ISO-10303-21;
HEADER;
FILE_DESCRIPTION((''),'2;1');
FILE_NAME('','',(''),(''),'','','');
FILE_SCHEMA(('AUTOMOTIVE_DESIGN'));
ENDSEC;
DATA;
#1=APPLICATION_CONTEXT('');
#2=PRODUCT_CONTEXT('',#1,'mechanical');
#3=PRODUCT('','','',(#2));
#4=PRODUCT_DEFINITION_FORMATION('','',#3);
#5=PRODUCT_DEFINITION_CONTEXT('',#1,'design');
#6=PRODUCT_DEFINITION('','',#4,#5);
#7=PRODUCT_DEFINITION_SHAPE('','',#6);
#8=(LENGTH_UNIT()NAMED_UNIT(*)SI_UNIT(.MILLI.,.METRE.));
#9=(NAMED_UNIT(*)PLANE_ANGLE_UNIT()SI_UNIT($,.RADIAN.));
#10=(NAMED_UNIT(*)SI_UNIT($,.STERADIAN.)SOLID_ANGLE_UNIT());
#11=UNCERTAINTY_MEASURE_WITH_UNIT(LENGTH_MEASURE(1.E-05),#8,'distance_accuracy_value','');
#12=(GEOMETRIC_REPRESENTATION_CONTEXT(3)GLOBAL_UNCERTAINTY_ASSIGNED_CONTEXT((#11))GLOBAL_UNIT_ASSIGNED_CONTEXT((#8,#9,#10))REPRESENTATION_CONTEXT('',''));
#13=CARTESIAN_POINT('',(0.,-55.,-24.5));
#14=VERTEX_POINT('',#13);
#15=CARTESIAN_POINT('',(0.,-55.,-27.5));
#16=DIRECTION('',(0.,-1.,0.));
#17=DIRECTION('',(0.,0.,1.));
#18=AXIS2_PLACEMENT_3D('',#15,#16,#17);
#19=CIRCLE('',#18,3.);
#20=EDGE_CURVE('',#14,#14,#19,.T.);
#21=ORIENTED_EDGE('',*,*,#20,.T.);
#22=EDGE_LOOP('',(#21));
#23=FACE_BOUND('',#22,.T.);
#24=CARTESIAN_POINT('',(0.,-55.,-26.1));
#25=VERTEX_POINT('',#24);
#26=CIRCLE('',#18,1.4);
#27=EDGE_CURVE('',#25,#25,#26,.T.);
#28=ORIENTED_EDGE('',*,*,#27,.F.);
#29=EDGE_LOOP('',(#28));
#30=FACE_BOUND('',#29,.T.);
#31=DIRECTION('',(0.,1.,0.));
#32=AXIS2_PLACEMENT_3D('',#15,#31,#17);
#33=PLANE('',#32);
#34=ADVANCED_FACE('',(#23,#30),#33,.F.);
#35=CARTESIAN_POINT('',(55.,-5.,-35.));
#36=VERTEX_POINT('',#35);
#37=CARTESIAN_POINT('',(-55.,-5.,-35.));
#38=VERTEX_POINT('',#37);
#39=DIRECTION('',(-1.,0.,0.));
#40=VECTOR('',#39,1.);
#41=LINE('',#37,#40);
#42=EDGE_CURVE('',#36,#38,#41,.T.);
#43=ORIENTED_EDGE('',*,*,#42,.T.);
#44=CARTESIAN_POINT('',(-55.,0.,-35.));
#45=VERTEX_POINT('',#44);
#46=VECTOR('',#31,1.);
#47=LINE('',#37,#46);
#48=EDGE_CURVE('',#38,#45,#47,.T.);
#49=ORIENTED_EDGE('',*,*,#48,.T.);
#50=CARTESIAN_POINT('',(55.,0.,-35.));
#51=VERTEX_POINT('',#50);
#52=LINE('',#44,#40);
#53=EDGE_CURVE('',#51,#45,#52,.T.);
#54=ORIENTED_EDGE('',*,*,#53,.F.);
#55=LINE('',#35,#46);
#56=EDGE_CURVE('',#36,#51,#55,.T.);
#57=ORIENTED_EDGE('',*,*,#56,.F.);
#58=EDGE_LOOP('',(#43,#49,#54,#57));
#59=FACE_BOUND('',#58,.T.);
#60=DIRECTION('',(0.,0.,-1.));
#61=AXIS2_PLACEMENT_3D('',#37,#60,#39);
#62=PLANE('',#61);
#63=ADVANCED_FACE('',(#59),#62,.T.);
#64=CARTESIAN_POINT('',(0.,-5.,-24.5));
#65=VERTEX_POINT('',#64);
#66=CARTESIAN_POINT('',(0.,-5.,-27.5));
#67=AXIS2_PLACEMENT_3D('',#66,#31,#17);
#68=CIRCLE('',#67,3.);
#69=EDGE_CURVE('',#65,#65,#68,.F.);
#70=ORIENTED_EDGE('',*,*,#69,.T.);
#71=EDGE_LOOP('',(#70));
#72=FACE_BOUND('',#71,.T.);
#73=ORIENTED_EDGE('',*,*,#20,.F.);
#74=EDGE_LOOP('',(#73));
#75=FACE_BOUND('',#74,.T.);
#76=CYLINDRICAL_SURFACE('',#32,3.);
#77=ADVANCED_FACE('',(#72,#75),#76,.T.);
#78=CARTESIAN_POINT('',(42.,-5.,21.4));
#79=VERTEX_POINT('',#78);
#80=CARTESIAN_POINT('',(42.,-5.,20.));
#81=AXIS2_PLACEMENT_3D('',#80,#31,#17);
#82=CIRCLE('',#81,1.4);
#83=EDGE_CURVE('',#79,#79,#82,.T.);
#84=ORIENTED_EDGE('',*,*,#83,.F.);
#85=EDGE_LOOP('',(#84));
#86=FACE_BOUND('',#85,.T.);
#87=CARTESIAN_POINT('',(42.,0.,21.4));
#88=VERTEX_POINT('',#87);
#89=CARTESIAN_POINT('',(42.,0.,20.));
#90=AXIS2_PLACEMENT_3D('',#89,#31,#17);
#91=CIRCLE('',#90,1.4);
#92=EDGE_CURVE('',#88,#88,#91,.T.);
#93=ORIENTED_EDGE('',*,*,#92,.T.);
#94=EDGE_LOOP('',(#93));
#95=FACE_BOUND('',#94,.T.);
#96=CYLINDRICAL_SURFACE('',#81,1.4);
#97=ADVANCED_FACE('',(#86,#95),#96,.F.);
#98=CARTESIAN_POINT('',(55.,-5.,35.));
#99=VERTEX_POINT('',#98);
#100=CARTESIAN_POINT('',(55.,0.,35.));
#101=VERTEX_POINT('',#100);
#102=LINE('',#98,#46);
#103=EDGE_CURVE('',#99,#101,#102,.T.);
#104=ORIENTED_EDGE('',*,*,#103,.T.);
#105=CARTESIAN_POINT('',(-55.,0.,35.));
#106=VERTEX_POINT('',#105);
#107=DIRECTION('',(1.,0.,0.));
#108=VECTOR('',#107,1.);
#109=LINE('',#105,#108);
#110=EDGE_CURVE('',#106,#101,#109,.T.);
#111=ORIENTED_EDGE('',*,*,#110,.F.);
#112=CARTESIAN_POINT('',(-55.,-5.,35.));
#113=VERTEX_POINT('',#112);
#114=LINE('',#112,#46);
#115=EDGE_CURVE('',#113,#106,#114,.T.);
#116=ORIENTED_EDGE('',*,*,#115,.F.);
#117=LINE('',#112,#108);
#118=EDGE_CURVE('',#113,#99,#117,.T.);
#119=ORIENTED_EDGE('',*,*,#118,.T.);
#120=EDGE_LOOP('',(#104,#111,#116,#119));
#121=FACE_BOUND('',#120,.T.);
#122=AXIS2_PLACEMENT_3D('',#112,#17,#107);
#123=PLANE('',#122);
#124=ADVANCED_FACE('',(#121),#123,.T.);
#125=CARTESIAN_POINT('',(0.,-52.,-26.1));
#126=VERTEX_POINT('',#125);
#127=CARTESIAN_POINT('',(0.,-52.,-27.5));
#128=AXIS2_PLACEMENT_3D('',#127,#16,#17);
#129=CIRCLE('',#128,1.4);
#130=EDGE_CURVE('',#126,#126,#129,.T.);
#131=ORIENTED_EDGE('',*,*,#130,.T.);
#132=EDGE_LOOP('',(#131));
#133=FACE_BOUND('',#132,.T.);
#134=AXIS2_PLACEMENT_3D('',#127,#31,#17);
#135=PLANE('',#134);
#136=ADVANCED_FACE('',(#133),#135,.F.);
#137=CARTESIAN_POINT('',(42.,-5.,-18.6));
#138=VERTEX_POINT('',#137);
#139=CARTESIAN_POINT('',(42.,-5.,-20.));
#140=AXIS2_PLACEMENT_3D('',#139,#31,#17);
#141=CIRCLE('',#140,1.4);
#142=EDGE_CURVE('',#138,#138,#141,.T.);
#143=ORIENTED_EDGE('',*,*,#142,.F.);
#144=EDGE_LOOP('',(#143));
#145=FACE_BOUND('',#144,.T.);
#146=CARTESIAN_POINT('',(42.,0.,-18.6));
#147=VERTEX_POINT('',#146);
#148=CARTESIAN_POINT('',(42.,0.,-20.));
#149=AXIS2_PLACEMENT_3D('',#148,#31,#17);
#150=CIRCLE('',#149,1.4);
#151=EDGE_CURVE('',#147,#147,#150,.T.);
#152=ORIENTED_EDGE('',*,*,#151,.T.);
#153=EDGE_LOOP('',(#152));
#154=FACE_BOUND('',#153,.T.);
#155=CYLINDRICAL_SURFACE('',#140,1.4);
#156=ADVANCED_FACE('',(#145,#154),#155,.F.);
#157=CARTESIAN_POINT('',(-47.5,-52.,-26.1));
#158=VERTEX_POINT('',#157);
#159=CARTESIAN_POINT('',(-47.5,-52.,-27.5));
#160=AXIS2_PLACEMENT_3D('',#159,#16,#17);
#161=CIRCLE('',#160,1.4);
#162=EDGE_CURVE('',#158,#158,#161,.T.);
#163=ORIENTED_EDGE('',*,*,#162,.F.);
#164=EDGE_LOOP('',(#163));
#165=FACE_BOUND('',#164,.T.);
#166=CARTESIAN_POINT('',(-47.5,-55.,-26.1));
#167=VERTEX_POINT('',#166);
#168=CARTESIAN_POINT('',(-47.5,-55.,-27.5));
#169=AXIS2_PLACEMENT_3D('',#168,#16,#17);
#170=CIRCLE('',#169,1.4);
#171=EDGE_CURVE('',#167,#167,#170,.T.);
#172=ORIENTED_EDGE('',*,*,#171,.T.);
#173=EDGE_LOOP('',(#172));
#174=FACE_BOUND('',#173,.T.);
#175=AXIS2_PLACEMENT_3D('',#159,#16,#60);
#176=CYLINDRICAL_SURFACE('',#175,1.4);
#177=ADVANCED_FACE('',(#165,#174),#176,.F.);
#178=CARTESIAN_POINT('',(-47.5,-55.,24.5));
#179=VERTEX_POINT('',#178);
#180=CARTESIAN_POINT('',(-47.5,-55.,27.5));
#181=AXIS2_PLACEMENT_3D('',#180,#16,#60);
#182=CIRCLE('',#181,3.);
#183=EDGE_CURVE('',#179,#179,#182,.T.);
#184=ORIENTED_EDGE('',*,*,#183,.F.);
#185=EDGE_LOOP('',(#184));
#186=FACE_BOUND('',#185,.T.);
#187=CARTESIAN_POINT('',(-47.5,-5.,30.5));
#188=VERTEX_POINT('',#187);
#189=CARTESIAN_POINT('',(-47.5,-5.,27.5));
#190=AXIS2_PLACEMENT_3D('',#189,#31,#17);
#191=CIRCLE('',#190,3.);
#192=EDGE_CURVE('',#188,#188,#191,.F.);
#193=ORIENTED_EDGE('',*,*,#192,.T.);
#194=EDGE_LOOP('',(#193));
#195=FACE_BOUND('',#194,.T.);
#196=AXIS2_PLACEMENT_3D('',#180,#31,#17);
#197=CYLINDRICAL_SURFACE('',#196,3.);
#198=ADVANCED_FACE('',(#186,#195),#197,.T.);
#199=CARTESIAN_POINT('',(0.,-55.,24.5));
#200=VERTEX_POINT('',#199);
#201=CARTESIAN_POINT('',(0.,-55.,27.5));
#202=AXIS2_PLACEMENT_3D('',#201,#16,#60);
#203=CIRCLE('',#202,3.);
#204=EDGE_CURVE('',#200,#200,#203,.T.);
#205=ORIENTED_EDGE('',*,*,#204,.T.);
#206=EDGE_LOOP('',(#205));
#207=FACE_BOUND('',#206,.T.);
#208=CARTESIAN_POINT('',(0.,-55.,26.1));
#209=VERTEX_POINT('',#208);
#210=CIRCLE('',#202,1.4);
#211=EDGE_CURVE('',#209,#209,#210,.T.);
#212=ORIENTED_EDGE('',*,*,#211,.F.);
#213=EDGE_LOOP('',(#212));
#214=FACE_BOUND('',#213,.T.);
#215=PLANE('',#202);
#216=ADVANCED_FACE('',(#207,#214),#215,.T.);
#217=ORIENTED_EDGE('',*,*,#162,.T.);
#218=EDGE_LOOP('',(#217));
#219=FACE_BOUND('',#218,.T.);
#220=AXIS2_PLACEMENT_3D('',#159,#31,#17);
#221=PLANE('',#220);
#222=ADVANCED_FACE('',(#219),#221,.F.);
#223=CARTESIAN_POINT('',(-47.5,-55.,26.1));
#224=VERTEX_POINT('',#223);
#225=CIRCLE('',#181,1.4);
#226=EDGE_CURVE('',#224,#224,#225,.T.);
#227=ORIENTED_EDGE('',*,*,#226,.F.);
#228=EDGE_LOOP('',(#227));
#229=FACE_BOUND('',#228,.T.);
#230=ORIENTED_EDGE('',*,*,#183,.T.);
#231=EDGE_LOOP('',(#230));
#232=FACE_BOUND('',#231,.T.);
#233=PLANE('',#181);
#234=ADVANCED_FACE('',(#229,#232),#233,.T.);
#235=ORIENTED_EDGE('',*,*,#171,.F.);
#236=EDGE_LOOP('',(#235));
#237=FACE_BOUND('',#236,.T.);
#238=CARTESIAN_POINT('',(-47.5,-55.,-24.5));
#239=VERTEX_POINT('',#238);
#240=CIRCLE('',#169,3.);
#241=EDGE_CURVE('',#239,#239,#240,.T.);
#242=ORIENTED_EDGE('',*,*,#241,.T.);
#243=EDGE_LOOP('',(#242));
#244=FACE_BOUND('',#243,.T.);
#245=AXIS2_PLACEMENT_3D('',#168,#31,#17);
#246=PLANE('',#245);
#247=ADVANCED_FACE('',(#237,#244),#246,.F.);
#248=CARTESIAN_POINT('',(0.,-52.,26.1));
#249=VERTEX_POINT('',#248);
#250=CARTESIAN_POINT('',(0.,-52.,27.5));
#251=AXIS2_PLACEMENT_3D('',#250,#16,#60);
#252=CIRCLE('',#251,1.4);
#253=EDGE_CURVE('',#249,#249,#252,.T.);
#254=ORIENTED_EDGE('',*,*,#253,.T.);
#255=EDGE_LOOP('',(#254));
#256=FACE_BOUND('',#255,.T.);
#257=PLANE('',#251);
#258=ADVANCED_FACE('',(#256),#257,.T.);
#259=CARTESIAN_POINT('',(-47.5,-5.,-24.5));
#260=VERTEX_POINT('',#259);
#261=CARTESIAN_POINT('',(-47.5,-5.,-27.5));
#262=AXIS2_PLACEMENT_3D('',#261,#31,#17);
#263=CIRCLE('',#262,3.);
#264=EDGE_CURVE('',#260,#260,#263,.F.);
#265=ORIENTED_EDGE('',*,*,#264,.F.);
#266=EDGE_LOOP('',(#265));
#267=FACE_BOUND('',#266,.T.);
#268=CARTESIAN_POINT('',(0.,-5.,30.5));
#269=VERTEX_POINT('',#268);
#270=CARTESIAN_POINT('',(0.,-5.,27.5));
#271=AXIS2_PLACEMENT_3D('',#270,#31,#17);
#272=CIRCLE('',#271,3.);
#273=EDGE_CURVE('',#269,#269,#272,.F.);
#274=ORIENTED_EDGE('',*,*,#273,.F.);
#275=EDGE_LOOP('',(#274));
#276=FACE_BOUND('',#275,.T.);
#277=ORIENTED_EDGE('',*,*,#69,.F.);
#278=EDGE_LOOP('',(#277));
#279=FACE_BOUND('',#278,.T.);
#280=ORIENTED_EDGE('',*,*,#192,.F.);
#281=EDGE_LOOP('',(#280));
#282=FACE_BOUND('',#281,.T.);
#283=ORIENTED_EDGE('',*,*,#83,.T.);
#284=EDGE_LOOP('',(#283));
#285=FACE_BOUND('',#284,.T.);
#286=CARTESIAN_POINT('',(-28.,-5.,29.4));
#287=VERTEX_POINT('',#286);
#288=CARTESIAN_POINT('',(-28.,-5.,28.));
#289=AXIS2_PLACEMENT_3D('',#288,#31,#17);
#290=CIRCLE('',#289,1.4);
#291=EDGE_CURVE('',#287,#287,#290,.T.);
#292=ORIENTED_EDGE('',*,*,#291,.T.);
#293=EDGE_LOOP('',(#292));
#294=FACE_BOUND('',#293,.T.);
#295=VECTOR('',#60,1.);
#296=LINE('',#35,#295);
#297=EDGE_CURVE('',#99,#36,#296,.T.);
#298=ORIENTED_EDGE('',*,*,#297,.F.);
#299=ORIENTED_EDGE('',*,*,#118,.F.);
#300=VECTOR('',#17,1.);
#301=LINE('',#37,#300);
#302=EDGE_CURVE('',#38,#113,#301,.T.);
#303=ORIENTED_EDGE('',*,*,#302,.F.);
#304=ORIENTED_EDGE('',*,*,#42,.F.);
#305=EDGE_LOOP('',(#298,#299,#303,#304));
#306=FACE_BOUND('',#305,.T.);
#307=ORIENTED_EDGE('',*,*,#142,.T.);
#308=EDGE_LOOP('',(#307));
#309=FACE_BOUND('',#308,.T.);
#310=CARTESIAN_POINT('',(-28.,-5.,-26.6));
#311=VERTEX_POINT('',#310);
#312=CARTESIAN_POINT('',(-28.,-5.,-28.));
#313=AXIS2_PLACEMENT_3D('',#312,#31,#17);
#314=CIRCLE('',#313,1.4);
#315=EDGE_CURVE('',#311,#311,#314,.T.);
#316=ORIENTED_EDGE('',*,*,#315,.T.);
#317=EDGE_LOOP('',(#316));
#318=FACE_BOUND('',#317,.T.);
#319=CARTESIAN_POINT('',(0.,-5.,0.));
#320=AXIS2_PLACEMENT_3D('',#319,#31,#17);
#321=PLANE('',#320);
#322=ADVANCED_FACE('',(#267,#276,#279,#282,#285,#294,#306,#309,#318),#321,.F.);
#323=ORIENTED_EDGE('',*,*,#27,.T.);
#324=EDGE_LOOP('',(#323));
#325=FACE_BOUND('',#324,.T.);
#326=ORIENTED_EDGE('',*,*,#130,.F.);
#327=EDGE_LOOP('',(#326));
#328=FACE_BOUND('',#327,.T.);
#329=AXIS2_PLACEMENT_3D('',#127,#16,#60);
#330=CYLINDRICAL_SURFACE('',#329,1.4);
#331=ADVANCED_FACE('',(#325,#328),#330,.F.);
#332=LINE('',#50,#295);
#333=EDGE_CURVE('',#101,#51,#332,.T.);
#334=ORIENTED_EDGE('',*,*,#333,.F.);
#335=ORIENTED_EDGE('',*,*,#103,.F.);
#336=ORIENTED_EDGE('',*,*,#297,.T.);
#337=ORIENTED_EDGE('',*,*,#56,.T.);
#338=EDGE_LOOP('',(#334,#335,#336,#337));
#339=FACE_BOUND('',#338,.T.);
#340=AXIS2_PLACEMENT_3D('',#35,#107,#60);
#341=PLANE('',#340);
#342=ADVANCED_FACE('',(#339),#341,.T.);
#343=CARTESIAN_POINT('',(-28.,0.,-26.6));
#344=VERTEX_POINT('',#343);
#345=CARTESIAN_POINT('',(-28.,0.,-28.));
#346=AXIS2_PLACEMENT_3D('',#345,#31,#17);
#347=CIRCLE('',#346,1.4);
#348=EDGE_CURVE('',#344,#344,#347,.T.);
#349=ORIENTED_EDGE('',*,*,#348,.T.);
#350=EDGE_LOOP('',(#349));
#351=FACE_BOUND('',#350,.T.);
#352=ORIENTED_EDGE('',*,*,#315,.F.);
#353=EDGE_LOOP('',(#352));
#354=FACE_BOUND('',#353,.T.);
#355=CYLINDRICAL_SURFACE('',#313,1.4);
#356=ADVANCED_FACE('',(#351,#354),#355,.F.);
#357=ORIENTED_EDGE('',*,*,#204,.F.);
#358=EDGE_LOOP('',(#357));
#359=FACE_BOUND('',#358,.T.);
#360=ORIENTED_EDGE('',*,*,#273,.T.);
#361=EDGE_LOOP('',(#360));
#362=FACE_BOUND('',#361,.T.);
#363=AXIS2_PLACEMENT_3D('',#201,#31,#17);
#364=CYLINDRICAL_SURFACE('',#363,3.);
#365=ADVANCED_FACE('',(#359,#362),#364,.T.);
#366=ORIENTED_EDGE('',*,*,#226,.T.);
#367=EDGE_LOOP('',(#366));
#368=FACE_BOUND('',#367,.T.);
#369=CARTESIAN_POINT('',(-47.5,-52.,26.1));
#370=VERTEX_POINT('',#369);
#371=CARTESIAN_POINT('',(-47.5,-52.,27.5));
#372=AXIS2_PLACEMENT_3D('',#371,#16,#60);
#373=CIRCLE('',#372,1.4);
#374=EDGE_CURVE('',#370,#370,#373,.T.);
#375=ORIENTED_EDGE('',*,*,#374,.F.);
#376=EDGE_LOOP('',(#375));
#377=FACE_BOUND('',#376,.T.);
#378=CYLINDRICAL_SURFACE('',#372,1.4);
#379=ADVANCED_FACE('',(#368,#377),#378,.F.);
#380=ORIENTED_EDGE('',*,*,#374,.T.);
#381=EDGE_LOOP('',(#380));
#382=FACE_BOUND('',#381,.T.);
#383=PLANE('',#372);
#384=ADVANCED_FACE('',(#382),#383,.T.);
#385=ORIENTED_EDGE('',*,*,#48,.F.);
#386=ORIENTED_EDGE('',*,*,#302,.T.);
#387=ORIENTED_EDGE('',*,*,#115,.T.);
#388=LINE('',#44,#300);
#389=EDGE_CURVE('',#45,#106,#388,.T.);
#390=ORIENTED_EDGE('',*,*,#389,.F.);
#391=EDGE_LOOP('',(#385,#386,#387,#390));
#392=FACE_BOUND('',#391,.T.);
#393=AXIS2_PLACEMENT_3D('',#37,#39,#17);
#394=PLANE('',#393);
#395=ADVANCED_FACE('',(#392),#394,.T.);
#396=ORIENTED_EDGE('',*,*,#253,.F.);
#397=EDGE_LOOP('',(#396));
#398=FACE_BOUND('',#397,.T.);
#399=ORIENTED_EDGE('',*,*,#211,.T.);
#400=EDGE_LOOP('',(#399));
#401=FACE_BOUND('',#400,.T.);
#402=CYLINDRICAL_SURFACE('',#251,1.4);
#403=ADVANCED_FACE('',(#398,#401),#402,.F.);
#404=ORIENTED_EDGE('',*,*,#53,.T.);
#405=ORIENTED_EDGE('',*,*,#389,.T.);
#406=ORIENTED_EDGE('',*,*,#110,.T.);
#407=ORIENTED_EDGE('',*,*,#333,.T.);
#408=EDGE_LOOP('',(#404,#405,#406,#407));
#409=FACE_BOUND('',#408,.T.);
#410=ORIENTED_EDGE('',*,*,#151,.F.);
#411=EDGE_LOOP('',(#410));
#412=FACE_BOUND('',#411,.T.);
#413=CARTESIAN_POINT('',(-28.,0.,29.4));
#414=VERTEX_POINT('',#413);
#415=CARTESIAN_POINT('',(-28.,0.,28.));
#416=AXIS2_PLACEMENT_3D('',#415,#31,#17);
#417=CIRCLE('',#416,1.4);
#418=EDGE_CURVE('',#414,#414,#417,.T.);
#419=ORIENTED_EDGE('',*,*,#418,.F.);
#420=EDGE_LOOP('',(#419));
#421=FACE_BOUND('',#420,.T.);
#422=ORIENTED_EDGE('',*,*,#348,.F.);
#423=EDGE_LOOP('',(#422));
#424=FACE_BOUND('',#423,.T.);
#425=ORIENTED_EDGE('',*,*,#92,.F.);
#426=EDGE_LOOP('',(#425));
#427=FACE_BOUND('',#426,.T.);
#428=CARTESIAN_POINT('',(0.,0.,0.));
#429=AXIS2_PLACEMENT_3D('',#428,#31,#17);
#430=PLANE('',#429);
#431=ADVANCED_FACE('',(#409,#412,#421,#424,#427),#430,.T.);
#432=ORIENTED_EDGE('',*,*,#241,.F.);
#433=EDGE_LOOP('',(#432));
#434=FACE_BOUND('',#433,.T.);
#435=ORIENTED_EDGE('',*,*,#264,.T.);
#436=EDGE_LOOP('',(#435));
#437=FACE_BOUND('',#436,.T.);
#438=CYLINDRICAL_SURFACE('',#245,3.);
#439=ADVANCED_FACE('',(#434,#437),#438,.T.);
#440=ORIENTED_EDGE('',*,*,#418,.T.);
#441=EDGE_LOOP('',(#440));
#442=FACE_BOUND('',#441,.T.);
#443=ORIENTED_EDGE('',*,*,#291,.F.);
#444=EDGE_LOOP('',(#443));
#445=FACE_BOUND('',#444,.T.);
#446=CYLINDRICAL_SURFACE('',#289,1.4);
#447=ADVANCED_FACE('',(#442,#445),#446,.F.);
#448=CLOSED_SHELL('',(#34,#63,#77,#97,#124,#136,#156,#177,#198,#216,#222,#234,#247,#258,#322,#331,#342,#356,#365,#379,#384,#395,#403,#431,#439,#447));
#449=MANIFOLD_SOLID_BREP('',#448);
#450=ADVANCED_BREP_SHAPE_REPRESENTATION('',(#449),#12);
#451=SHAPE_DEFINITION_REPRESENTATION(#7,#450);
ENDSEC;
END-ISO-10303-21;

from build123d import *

# Parameters (mm, degrees)
SKETCH1_W           = 110
SKETCH1_H           = 70
BOSS_EXTRUDE2_DEPTH = 5
SKETCH2_R           = 1.4
CUT_EXTRUDE1_DEPTH  = 5
SKETCH4_R           = 3
BOSS_EXTRUDE3_DEPTH = 50
SKETCH5_R           = 1.4
CUT_EXTRUDE2_DEPTH  = 3


with BuildPart() as part:
    # Sketch1 → Boss-Extrude2 (new body)
    with BuildSketch(Plane(origin=(0, 0, 0), x_dir=(1, 0, 0), z_dir=(0, 1, 0))):
        Rectangle(SKETCH1_W, SKETCH1_H)
    extrude(amount=-BOSS_EXTRUDE2_DEPTH)

    # Sketch2 → Cut-Extrude1 (cut)
    with BuildSketch(Plane(origin=(0, 0, 0), x_dir=(1, 0, 0), z_dir=(0, 1, 0))):
        with Locations(Location((-28, 28, 0), (0, 0, 270))):
            Circle(SKETCH2_R)
        with Locations(Location((42, 20, 0), (0, 0, 270))):
            Circle(SKETCH2_R)
        with Locations(Location((-28, -28, 0), (0, 0, 270))):
            Circle(SKETCH2_R)
        with Locations(Location((42, -20, 0), (0, 0, 270))):
            Circle(SKETCH2_R)
    extrude(amount=-CUT_EXTRUDE1_DEPTH, mode=Mode.SUBTRACT)

    # Sketch4 → Boss-Extrude3 (add)
    with BuildSketch(Plane.XZ.offset(5)):
        with Locations(Location((-47.5, 27.5, 0), (0, 0, 90))):
            Circle(SKETCH4_R)
        with Locations(Location((0, 27.5, 0), (0, 0, 90))):
            Circle(SKETCH4_R)
        with Locations(Location((0, -27.5, 0), (0, 0, 90))):
            Circle(SKETCH4_R)
        with Locations(Location((-47.5, -27.5, 0), (0, 0, 90))):
            Circle(SKETCH4_R)
    extrude(amount=BOSS_EXTRUDE3_DEPTH)

    # Sketch5 → Cut-Extrude2 (cut)
    with BuildSketch(Plane.XZ.offset(55)):
        with Locations(Location((-47.5, 27.5, 0), (0, 0, 270))):
            Circle(SKETCH5_R)
        with Locations(Location((0, 27.5, 0), (0, 0, 270))):
            Circle(SKETCH5_R)
        with Locations(Location((0, -27.5, 0), (0, 0, 90))):
            Circle(SKETCH5_R)
        with Locations(Location((-47.5, -27.5, 0), (0, 0, 90))):
            Circle(SKETCH5_R)
    extrude(amount=-CUT_EXTRUDE2_DEPTH, mode=Mode.SUBTRACT)


solid = part.part
